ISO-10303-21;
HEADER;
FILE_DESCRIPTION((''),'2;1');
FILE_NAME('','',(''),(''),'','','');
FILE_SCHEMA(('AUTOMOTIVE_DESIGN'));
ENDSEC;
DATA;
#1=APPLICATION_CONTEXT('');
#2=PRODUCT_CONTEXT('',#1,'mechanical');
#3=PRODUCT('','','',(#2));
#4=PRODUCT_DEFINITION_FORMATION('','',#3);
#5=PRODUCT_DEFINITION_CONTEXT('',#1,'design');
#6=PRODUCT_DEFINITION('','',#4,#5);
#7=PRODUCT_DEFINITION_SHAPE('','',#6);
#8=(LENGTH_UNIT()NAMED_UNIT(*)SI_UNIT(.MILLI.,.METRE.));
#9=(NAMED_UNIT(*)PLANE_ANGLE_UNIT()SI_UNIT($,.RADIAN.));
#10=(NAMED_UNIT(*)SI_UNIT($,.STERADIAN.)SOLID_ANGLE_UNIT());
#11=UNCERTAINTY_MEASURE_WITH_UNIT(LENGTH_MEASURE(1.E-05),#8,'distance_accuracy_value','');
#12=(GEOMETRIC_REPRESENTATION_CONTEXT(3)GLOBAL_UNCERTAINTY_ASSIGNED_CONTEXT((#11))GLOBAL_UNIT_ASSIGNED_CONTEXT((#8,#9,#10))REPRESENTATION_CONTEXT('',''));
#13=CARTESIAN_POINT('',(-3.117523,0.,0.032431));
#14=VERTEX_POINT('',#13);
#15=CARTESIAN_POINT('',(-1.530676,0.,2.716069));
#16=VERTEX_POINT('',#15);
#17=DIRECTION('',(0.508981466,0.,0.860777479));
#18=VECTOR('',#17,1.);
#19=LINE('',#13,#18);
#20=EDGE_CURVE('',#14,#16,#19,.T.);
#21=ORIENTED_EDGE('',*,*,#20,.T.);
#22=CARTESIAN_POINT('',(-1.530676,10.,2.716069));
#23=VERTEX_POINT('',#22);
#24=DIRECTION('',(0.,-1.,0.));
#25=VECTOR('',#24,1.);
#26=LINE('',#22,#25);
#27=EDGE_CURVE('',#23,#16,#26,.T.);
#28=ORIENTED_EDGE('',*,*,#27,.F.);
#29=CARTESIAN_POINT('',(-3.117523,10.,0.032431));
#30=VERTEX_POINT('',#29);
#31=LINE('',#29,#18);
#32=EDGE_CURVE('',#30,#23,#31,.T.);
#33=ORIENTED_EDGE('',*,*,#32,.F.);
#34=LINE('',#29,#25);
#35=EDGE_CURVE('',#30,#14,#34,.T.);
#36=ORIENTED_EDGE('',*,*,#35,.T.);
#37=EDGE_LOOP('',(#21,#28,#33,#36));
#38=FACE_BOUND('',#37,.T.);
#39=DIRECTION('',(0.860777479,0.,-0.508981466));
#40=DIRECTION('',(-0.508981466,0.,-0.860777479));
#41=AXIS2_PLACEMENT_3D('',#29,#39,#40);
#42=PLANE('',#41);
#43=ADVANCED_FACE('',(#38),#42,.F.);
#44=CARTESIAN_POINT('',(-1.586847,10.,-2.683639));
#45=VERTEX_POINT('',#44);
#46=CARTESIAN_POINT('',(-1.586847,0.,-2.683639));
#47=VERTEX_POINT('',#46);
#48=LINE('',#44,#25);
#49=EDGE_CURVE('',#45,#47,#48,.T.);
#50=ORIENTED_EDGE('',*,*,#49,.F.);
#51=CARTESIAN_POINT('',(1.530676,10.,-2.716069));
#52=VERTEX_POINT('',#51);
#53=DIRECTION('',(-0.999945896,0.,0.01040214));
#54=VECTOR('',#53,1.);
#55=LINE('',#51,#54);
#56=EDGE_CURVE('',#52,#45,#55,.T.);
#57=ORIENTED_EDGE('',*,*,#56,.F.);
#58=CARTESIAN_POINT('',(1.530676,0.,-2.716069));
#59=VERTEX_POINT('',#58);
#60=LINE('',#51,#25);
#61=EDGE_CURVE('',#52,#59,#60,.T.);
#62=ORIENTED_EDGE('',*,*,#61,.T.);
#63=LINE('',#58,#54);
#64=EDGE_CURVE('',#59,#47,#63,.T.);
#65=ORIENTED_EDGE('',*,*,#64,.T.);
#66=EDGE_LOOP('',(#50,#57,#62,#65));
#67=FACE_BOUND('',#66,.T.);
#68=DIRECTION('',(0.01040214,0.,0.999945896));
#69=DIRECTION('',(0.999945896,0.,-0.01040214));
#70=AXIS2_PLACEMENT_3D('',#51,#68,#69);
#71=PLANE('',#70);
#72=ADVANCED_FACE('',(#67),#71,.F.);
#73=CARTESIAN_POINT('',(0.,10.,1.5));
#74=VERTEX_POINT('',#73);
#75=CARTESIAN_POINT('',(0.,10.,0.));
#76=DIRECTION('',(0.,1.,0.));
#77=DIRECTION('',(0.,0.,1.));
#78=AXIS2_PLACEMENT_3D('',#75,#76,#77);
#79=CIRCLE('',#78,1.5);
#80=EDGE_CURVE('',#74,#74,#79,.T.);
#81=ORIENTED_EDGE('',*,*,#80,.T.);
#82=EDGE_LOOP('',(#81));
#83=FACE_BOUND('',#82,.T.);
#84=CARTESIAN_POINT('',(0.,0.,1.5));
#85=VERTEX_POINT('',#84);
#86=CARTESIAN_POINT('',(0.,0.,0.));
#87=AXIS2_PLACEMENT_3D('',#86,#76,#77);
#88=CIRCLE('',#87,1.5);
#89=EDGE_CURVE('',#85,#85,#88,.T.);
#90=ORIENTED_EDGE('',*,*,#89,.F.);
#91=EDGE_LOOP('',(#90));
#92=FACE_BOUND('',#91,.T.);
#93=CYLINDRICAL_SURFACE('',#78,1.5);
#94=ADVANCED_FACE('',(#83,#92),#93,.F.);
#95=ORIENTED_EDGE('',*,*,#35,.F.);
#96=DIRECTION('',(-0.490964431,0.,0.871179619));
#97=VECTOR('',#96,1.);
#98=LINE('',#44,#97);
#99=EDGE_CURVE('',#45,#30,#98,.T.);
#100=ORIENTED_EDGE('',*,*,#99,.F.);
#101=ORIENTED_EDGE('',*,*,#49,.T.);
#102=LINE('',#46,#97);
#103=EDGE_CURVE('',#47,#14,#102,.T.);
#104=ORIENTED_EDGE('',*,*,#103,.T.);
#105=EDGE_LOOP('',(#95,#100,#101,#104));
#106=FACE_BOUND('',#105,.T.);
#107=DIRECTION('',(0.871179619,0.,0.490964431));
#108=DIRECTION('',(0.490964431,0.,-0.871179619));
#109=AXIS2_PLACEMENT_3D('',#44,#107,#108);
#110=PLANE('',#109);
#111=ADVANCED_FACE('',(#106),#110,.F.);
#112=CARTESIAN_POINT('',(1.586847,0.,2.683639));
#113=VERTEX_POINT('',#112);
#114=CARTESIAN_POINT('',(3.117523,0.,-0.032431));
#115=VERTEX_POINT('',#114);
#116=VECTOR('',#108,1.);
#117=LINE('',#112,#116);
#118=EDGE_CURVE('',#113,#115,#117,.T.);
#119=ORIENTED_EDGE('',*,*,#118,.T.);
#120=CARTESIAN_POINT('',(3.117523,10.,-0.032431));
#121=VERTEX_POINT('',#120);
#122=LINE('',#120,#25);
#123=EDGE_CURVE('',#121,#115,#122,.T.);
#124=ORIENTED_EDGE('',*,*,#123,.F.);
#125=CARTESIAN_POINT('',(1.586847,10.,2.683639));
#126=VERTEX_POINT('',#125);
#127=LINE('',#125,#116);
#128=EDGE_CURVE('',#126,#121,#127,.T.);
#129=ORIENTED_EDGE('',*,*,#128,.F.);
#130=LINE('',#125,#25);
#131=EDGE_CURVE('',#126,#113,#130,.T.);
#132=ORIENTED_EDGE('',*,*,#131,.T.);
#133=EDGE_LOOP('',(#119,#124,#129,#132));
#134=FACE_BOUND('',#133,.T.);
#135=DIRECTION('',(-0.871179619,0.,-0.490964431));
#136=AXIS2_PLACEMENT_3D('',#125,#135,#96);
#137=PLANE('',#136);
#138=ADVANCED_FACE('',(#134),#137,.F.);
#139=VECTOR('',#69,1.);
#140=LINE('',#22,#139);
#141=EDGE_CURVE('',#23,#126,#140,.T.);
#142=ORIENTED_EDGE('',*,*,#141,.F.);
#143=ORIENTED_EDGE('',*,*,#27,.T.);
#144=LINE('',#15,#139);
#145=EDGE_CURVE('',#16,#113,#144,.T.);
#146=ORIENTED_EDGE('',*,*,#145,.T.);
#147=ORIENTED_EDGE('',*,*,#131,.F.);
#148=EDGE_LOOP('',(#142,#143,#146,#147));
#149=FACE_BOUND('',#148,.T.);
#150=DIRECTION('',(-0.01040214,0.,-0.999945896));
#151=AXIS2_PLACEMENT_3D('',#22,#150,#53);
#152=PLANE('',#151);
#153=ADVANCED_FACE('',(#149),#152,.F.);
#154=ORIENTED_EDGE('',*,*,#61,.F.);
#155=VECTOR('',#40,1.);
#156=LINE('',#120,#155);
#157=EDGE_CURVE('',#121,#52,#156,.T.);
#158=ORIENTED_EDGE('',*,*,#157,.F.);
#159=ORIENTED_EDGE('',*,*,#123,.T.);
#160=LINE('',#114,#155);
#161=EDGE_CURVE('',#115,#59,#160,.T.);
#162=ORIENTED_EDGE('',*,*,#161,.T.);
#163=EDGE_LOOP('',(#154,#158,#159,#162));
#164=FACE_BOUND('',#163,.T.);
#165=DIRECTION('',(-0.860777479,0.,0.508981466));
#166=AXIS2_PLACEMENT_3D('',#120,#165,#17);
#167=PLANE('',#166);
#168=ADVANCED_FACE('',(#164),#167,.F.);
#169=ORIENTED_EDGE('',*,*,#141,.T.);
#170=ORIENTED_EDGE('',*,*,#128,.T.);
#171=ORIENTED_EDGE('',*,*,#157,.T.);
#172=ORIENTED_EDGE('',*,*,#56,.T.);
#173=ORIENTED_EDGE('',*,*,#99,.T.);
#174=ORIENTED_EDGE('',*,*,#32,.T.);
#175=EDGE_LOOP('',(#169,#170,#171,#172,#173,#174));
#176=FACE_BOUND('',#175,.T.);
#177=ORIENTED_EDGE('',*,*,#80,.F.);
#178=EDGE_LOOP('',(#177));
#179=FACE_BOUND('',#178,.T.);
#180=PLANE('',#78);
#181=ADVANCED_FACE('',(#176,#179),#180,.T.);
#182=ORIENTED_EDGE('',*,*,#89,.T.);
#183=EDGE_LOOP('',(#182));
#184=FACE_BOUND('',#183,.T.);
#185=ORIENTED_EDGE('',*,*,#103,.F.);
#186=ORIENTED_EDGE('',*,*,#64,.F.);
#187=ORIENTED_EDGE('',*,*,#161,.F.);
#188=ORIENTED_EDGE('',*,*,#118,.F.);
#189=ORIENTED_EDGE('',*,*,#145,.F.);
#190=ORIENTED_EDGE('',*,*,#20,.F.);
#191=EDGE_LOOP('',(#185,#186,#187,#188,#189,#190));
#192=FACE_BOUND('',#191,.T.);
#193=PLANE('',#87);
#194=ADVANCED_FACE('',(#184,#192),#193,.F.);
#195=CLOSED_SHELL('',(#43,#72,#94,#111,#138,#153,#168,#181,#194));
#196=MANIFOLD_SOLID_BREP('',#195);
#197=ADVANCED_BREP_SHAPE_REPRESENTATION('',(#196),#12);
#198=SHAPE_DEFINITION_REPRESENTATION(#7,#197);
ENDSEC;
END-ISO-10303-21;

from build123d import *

# Parameters (mm, degrees)
BOSS_EXTRUDE1_DEPTH       = 10
F_3_0MM_DOWEL_HOLE1_D     = 3
F_3_0MM_DOWEL_HOLE1_DEPTH = 25.4
F_3_0MM_DOWEL_HOLE1_TIP   = 0.901290929


with BuildPart() as part:
    # Sketch1 → Boss-Extrude1 (new body)
    with BuildSketch(Plane(origin=(0, 0, 0), x_dir=(1, 0, 0), z_dir=(0, 1, 0))):
        Polygon((-1.586847165, 2.683638589), (-3.117522775, -0.032430663), (-1.53067561, -2.716069251), (1.586847165, -2.683638589), (3.117522775, 0.032430663), (1.53067561, 2.716069251), align=None)
    extrude(amount=BOSS_EXTRUDE1_DEPTH)

    # Ø3.0mm Dowel Hole1
    with Locations(Plane(origin=(0, 10, 0), x_dir=(1, 0, 0), z_dir=(0, 1, 0))):
        with Locations((0, 0)):
            Hole(F_3_0MM_DOWEL_HOLE1_D / 2, depth=F_3_0MM_DOWEL_HOLE1_DEPTH)
            with Locations((0, 0, -(F_3_0MM_DOWEL_HOLE1_DEPTH + F_3_0MM_DOWEL_HOLE1_TIP / 2))):  # 118° drill point
                Cone(0, F_3_0MM_DOWEL_HOLE1_D / 2, F_3_0MM_DOWEL_HOLE1_TIP, mode=Mode.SUBTRACT)


solid = part.part
